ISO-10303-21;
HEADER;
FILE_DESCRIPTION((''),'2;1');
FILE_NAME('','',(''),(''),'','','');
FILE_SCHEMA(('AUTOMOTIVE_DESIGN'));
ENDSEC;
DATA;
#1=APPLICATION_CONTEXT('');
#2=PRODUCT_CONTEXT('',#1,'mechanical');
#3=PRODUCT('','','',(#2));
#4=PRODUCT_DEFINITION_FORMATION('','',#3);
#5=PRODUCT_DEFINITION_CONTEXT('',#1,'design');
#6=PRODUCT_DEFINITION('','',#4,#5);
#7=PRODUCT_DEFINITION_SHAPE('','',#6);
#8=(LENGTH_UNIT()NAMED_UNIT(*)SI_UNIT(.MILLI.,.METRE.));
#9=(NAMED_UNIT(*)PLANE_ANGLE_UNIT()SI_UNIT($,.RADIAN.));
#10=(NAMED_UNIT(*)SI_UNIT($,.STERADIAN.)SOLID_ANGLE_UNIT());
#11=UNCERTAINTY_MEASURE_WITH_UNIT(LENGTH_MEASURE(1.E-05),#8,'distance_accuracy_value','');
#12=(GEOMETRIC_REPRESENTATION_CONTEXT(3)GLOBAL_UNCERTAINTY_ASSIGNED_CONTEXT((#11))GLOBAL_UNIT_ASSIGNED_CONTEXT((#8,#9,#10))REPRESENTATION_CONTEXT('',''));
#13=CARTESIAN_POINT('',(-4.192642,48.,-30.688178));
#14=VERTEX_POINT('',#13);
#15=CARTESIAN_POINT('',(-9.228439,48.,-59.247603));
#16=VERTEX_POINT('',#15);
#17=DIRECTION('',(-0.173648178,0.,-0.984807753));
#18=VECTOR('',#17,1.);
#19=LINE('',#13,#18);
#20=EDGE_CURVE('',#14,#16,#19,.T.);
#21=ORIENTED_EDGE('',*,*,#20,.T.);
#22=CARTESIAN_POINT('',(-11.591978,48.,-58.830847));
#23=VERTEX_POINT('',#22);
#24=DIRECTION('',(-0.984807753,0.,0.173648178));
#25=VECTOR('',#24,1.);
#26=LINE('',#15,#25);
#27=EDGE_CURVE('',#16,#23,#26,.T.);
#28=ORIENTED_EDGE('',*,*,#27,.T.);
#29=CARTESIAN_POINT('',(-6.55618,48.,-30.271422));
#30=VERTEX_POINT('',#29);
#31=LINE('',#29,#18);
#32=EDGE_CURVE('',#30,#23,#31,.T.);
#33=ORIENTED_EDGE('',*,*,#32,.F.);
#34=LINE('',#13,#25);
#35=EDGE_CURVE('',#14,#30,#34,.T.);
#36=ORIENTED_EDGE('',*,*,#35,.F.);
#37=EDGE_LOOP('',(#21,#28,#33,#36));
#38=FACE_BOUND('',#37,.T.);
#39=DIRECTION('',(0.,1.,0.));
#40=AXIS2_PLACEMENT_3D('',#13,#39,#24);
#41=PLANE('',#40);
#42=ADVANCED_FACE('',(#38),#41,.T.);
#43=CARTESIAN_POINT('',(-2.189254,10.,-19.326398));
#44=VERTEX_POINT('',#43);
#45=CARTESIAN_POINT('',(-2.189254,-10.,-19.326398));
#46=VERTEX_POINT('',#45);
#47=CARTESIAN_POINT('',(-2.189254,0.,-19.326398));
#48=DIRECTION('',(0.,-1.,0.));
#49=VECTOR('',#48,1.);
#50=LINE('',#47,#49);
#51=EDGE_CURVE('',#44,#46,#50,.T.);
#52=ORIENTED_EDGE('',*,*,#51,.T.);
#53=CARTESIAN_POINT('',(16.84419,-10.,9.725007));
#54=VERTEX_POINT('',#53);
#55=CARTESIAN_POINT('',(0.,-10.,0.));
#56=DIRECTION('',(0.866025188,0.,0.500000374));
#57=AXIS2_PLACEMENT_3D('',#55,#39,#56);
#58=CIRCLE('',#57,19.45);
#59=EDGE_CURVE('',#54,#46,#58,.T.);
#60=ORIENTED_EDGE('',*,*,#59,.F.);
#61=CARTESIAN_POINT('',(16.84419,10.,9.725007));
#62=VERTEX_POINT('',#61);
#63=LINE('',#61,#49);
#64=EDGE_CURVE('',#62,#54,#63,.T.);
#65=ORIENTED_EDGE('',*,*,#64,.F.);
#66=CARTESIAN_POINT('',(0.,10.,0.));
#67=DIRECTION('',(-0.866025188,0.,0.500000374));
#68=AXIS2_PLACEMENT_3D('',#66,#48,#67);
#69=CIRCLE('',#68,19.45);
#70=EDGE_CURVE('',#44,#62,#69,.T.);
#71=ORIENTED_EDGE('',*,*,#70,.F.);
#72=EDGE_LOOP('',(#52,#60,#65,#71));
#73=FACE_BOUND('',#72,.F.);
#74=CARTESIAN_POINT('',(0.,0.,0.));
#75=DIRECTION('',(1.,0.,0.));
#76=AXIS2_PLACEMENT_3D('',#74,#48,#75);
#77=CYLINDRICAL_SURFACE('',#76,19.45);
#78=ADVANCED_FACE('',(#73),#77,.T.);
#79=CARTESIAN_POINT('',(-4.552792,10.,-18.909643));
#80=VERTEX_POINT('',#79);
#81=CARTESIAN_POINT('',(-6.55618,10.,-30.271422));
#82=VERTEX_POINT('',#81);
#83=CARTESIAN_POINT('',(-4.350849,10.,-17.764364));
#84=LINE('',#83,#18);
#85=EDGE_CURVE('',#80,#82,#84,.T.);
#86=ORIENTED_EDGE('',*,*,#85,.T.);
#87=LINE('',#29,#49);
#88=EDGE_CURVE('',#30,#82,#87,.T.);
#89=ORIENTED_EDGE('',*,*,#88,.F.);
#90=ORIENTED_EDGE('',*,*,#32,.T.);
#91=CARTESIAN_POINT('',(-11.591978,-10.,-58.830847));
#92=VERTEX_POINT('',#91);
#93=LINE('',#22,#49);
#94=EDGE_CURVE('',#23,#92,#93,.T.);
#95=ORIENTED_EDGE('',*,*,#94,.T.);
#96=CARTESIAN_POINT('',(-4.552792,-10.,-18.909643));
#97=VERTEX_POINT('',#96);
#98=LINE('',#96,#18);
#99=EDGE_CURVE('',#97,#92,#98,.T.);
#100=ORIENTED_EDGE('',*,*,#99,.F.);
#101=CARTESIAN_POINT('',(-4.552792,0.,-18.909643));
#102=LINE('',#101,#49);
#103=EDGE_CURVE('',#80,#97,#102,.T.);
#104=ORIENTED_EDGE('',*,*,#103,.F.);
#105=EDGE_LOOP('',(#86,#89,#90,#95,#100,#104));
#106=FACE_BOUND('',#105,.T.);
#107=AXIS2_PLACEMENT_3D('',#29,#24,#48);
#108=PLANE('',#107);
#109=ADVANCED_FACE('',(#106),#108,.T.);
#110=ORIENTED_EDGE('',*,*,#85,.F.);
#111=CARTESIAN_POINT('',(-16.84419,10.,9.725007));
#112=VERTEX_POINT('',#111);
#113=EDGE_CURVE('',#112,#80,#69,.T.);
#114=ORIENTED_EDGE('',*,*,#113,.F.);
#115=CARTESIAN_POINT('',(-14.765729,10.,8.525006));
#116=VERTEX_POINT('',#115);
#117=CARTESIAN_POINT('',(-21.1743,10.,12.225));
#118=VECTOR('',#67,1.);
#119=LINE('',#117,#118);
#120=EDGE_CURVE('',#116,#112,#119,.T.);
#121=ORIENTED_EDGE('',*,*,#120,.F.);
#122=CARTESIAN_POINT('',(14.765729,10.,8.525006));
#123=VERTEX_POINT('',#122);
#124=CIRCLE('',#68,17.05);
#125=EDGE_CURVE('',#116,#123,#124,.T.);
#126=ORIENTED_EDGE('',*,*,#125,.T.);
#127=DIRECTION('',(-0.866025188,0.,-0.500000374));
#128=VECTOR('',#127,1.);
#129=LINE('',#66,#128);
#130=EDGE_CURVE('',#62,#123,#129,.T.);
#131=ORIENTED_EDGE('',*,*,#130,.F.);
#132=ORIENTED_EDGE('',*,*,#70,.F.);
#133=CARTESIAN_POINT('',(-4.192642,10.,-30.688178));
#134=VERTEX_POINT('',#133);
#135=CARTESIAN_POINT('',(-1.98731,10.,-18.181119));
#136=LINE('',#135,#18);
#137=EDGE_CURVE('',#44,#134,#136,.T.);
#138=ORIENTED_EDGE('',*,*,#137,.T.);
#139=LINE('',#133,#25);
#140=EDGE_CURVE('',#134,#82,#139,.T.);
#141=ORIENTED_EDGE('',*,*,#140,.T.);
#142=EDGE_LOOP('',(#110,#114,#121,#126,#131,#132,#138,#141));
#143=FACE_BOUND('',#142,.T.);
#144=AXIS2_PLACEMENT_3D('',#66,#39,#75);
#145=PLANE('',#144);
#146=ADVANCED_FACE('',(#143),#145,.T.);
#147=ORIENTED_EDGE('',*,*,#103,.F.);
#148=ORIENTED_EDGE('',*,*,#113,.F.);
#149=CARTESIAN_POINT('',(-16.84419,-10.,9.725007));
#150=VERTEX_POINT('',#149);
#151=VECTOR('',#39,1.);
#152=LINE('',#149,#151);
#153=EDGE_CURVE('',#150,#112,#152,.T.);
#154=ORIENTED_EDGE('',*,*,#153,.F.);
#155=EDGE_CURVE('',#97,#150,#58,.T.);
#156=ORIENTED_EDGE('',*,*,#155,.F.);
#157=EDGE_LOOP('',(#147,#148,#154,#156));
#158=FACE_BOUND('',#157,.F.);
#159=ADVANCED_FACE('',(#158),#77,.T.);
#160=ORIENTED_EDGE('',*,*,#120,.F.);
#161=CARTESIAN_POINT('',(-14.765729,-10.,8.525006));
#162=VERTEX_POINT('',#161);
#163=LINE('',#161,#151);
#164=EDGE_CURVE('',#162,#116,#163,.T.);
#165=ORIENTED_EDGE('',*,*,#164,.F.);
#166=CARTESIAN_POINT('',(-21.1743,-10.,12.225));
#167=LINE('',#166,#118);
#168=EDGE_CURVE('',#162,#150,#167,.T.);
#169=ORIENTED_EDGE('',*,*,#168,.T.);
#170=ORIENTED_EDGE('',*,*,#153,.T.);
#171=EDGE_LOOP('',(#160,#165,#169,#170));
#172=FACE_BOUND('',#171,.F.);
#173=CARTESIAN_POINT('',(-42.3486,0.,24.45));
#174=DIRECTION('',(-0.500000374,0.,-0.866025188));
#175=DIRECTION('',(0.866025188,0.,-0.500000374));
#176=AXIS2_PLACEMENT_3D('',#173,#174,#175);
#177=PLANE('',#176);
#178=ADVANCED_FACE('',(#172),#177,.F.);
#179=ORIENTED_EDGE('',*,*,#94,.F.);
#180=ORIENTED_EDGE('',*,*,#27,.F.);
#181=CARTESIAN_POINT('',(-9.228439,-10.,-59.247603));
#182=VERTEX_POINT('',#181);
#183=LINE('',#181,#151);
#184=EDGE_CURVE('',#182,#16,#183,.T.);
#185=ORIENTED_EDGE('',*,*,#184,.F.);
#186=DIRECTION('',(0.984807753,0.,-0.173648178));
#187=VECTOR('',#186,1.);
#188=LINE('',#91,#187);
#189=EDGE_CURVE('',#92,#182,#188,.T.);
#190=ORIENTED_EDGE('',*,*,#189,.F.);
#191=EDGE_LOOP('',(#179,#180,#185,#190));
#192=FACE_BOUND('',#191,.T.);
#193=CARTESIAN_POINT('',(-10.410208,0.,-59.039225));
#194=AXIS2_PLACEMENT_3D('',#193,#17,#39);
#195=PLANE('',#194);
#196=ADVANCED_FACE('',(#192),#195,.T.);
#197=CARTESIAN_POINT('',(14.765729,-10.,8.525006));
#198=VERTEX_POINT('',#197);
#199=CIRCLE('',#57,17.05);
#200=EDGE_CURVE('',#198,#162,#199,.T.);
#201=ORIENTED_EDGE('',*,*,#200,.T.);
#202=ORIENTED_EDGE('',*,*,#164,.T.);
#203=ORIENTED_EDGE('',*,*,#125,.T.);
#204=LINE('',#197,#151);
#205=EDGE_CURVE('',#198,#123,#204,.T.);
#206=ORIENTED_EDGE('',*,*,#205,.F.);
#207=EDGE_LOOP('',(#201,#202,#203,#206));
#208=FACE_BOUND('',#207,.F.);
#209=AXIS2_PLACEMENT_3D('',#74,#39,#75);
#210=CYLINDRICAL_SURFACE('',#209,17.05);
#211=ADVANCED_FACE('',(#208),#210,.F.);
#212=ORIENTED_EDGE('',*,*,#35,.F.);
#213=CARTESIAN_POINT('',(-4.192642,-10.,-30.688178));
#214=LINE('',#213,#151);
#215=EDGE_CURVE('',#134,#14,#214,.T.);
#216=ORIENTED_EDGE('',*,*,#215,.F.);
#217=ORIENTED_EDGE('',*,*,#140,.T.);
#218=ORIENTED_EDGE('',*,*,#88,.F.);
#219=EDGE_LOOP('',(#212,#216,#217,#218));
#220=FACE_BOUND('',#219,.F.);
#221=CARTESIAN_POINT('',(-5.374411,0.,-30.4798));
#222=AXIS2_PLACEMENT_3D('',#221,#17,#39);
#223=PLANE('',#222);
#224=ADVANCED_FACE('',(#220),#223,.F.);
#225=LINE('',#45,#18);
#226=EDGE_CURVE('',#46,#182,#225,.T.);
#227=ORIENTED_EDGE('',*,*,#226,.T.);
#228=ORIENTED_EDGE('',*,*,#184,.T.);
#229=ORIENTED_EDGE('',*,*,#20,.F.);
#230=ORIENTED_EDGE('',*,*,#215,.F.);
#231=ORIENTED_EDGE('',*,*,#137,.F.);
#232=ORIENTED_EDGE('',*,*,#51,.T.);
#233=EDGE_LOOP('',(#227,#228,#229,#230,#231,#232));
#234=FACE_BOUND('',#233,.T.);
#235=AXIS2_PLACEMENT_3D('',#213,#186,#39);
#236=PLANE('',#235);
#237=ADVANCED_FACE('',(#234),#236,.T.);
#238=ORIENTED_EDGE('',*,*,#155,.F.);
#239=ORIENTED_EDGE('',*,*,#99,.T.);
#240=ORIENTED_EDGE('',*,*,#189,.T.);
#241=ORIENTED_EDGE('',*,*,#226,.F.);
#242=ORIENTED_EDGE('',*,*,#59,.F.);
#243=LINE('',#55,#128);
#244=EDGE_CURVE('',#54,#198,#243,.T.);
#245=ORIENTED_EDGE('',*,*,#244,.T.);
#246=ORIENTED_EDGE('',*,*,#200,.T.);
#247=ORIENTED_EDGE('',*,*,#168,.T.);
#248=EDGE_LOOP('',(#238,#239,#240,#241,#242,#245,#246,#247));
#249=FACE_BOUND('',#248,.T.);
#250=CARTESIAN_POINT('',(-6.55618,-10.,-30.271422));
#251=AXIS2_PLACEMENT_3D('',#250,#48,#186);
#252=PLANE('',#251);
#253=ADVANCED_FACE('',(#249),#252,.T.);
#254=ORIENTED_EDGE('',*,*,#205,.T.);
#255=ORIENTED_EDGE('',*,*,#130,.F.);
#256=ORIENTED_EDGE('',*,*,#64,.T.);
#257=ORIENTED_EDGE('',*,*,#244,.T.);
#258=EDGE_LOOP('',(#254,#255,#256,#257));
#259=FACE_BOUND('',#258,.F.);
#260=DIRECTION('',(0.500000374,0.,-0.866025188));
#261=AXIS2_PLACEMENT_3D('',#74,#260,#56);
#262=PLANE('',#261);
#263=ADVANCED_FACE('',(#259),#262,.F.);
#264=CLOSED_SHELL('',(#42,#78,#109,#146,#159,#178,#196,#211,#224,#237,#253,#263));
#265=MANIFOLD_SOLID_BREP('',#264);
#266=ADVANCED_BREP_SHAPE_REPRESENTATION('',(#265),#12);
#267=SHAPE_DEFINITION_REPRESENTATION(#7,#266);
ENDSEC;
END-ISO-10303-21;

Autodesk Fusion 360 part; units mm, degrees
sketch "Ring" plane through (0, 0, 0) normal (0, 1, 0) x (1, 0, 0)
  circle A0 centre (0, 0) radius 17.05
  circle A1 centre (0, 0) radius 19.45
  dimension "d234" = 34.1
  dimension "d235" = 38.9
extrude "Ring (1)" add sketch "Ring" along normal mid plane 20
sketch "Mouth" plane through (0, 0, 0) normal (0, 1, 0) x (1, 0, 0)
  line L0 (0, 0) -> (42.3486, -24.45)
  line L1 (42.3486, -24.45) -> (0, -48.9)
  line L2 (0, -48.9) -> (-42.3486, -24.45)
  line L3 (-42.3486, -24.45) -> (0, 0)
  line L4 (0, 0) -> (0, -48.9) construction
  dimension "d238" = 48.9
  dimension "d239" = 48.9
  dimension "d240" = 48.9
  dimension "d241" = 60
  dimension "d242" = 60
extrude "Mouth (1)" cut sketch "Mouth" along normal mid plane 30
ref_plane "WorkPlane3" through (0, 12.125, 0) normal (-0.1736, 0, -0.9848) x (0, 1, 0)
sketch "Stem section" plane through (0, 0, 0) normal (-0.1736, 0, -0.9848) x (0, 1, 0)
  line L0 (1.75, 0) -> (22.5, 0) construction
  line L1 (-10, 1.2) -> (10, 1.2)
  line L2 (10, 1.2) -> (10, -1.2)
  line L3 (10, -1.2) -> (-10, -1.2)
  line L4 (-10, -1.2) -> (-10, 1.2)
  line L5 (0, 0) -> (0, 4.8) construction
  dimension "d247" = 2.4
  dimension "d248" = 4.8
  dimension "d249" = 20
extrude "Stem" add sketch "Stem section" along normal blind 12.7 from surface at 18.25
sketch "Face section" plane through (0, 0, 0) normal (-0.1736, 0, -0.9848) x (0, 1, 0)
  line L0 (1.75, 0) -> (22.5, 0) construction
  line L1 (-10, 1.2) -> (48, 1.2)
  line L2 (48, 1.2) -> (48, -1.2)
  line L3 (48, -1.2) -> (-10, -1.2)
  line L4 (-10, -1.2) -> (-10, 1.2)
  line L5 (-10, -1.2) -> (-10, 1.2) construction
  dimension "d253" = 2.4
  dimension "d254" = 58
extrude "Label face" add sketch "Face section" along normal blind 29 from surface at 30.95
equation "clipWidth = 20.0 mm"
equation "faceWidth = 58.0 mm"
equation "rodOuterDiameter = 33.4 mm"
equation "clipClearance = 0.7 mm"
equation "clipWall = 2.4 mm"
equation "mouthHalfAngleDeg = 60.0 deg"
equation "paddleThickness = 2.4 mm"
equation "stemEndRadius = ( rodOuterDiameter + clipClearance + 2 * clipWall ) / 2 + stemLength"
equation "faceEndRadius = stemEndRadius + faceHeight"
equation "paddleAngleDeg = 100.0 deg"
equation "stemStartRadius = ( rodOuterDiameter + clipClearance ) / 2 + clipWall / 2"
equation "stemLength = 11.5 mm"
equation "faceHeight = 29.0 mm"
equation "d234 = rodOuterDiameter + clipClearance"
equation "d235 = rodOuterDiameter + clipClearance + 2 * clipWall"
equation "d236 = clipWidth"
equation "d238 = Linear Dimension-2"
equation "d239 = Linear Dimension-3"
equation "d240 = Linear Dimension-4"
equation "d241 = mouthHalfAngleDeg"
equation "d242 = mouthHalfAngleDeg"
equation "d243 = clipWidth + 10 mm"
equation "d245 = paddleAngleDeg"
equation "d247 = paddleThickness"
equation "d248 = paddleThickness * 2"
equation "d249 = clipWidth"
equation "d250 = stemStartRadius"
equation "d251 = stemEndRadius - stemStartRadius"
equation "d253 = paddleThickness"
equation "d254 = faceWidth"
equation "d255 = stemEndRadius"
equation "d256 = faceEndRadius - stemEndRadius"
